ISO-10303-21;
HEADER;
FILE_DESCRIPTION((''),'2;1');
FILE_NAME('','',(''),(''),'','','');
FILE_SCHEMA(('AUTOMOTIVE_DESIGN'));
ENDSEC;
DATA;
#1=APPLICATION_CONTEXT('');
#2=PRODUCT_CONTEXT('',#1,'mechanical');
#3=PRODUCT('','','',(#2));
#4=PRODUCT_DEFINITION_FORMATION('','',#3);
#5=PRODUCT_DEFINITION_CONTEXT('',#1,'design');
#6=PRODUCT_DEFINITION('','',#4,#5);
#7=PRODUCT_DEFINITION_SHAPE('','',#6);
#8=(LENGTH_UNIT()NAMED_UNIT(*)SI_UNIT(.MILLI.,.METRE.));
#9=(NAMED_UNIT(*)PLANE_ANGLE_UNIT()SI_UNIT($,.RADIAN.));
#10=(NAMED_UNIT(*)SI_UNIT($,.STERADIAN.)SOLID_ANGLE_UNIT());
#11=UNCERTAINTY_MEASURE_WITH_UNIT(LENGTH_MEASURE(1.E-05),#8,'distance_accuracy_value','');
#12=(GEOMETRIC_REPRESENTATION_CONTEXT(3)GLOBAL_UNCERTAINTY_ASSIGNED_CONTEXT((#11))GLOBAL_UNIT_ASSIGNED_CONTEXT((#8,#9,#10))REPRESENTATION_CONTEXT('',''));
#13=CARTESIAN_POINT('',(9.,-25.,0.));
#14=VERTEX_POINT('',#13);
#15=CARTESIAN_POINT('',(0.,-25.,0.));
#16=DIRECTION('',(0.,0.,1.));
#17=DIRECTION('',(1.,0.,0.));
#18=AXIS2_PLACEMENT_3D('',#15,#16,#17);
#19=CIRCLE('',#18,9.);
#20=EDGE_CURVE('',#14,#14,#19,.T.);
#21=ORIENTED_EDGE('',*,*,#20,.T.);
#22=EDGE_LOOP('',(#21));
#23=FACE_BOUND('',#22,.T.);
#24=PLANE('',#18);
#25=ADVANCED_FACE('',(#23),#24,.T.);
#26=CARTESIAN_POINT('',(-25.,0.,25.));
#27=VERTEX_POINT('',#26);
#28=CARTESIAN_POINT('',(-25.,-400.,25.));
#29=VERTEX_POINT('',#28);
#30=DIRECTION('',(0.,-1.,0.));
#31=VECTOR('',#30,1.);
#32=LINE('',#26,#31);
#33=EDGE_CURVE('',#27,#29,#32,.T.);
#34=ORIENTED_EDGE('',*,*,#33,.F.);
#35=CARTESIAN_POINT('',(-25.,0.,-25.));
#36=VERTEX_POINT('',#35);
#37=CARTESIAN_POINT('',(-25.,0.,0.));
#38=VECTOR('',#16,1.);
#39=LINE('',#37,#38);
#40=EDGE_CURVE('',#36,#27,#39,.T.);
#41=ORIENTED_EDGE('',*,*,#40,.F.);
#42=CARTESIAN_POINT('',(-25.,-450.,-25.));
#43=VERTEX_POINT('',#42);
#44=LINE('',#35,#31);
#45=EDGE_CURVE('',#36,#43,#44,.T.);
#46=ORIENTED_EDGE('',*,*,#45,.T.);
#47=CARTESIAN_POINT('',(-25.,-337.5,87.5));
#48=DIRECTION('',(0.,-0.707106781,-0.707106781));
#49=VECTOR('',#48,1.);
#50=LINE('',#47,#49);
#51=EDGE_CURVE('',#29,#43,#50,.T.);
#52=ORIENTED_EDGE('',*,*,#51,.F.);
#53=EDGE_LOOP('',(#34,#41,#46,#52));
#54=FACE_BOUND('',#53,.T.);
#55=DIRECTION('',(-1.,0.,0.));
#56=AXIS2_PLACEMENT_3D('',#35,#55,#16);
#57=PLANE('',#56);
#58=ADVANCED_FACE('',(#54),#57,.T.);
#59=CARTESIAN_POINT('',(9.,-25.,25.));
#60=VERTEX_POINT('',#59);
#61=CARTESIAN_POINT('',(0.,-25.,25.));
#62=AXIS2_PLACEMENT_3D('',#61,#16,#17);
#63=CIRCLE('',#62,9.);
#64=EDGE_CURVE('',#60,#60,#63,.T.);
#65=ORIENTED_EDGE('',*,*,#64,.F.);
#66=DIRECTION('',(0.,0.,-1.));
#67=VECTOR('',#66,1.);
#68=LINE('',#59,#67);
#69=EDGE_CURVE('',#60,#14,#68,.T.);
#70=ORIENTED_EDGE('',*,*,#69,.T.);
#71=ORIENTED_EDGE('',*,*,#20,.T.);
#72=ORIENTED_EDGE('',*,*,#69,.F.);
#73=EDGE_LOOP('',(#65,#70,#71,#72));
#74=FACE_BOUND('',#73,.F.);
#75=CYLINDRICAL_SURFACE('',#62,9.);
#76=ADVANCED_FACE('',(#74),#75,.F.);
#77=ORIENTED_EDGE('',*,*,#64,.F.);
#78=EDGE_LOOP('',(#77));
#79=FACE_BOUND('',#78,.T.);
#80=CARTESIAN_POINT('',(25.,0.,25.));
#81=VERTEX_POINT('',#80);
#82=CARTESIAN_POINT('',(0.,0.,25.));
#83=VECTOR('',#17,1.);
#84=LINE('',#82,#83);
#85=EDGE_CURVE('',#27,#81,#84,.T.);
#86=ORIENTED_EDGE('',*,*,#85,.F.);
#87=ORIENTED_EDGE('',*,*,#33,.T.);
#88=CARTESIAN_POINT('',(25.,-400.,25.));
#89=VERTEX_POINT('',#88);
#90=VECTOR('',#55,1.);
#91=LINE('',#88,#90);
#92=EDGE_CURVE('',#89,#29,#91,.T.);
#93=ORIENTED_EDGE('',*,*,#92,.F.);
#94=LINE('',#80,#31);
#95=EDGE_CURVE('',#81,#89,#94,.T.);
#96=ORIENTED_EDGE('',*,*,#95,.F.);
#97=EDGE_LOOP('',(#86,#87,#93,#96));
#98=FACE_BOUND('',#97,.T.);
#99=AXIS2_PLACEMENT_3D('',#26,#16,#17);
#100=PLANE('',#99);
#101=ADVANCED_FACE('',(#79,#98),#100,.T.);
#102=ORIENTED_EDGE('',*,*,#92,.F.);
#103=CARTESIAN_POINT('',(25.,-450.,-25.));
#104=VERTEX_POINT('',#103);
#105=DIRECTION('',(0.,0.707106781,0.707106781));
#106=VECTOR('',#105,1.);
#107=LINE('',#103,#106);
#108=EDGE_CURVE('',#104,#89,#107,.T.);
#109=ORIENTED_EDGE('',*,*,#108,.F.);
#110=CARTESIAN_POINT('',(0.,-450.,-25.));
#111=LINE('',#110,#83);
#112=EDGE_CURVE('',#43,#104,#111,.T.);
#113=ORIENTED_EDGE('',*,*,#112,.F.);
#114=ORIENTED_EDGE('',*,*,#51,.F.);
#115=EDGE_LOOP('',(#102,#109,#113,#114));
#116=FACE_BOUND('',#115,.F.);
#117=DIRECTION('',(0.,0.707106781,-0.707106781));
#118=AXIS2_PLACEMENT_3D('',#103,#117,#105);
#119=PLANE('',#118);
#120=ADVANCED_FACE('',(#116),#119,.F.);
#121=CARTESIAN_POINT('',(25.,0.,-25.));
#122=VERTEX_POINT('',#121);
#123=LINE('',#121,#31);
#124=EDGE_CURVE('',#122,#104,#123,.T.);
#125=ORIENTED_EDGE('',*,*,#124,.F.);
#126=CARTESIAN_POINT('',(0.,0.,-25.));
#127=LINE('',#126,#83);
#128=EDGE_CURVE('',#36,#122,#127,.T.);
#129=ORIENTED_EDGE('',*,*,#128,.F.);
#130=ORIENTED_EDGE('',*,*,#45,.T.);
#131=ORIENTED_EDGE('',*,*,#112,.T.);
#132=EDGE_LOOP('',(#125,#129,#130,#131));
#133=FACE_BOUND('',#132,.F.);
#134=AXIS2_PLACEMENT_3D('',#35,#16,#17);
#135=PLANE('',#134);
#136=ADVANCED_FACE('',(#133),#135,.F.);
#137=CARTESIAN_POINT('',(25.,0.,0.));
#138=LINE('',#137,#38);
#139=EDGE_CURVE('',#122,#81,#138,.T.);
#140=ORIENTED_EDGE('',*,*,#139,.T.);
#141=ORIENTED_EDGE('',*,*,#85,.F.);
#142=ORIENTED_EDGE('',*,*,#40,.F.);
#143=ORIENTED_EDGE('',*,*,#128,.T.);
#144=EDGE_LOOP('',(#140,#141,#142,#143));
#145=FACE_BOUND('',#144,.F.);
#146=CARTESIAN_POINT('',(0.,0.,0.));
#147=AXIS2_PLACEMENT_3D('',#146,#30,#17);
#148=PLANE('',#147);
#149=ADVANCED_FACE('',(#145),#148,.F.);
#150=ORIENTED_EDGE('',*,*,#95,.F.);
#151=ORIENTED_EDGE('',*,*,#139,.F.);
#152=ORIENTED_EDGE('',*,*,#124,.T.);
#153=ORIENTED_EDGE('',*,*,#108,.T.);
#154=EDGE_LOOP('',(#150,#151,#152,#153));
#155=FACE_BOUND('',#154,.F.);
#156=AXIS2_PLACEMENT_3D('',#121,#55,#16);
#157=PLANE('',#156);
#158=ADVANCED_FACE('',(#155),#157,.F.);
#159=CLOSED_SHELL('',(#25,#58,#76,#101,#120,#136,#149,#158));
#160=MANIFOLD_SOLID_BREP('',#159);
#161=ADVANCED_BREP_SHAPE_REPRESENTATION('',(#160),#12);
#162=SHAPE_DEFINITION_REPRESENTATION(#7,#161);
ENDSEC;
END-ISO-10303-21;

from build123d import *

# Parameters (mm, degrees)
F0_W     = 50
F0_H     = 50
F1_DEPTH = 450
F3_DEPTH = 50.001
F4_R     = 9
F5_DEPTH = 25


with BuildPart() as f1:
    # F0 (on Front) → F1 (new body)
    with BuildSketch(Plane.XZ):
        Rectangle(F0_W, F0_H)
    extrude(amount=F1_DEPTH)

    # F2 (on face) → F3 (cut, through all)
    with BuildSketch(Plane.YZ.offset(25)):
        Polygon((-400, 25), (-450, 25), (-450, -25), align=None)
    extrude(amount=-F3_DEPTH, mode=Mode.SUBTRACT)

    # F4 (on face) → F5 (cut)
    with BuildSketch(Plane.XY.offset(25)):
        with Locations((0, -25)):
            Circle(F4_R)
    extrude(amount=-F5_DEPTH, mode=Mode.SUBTRACT)


solid = f1.part
